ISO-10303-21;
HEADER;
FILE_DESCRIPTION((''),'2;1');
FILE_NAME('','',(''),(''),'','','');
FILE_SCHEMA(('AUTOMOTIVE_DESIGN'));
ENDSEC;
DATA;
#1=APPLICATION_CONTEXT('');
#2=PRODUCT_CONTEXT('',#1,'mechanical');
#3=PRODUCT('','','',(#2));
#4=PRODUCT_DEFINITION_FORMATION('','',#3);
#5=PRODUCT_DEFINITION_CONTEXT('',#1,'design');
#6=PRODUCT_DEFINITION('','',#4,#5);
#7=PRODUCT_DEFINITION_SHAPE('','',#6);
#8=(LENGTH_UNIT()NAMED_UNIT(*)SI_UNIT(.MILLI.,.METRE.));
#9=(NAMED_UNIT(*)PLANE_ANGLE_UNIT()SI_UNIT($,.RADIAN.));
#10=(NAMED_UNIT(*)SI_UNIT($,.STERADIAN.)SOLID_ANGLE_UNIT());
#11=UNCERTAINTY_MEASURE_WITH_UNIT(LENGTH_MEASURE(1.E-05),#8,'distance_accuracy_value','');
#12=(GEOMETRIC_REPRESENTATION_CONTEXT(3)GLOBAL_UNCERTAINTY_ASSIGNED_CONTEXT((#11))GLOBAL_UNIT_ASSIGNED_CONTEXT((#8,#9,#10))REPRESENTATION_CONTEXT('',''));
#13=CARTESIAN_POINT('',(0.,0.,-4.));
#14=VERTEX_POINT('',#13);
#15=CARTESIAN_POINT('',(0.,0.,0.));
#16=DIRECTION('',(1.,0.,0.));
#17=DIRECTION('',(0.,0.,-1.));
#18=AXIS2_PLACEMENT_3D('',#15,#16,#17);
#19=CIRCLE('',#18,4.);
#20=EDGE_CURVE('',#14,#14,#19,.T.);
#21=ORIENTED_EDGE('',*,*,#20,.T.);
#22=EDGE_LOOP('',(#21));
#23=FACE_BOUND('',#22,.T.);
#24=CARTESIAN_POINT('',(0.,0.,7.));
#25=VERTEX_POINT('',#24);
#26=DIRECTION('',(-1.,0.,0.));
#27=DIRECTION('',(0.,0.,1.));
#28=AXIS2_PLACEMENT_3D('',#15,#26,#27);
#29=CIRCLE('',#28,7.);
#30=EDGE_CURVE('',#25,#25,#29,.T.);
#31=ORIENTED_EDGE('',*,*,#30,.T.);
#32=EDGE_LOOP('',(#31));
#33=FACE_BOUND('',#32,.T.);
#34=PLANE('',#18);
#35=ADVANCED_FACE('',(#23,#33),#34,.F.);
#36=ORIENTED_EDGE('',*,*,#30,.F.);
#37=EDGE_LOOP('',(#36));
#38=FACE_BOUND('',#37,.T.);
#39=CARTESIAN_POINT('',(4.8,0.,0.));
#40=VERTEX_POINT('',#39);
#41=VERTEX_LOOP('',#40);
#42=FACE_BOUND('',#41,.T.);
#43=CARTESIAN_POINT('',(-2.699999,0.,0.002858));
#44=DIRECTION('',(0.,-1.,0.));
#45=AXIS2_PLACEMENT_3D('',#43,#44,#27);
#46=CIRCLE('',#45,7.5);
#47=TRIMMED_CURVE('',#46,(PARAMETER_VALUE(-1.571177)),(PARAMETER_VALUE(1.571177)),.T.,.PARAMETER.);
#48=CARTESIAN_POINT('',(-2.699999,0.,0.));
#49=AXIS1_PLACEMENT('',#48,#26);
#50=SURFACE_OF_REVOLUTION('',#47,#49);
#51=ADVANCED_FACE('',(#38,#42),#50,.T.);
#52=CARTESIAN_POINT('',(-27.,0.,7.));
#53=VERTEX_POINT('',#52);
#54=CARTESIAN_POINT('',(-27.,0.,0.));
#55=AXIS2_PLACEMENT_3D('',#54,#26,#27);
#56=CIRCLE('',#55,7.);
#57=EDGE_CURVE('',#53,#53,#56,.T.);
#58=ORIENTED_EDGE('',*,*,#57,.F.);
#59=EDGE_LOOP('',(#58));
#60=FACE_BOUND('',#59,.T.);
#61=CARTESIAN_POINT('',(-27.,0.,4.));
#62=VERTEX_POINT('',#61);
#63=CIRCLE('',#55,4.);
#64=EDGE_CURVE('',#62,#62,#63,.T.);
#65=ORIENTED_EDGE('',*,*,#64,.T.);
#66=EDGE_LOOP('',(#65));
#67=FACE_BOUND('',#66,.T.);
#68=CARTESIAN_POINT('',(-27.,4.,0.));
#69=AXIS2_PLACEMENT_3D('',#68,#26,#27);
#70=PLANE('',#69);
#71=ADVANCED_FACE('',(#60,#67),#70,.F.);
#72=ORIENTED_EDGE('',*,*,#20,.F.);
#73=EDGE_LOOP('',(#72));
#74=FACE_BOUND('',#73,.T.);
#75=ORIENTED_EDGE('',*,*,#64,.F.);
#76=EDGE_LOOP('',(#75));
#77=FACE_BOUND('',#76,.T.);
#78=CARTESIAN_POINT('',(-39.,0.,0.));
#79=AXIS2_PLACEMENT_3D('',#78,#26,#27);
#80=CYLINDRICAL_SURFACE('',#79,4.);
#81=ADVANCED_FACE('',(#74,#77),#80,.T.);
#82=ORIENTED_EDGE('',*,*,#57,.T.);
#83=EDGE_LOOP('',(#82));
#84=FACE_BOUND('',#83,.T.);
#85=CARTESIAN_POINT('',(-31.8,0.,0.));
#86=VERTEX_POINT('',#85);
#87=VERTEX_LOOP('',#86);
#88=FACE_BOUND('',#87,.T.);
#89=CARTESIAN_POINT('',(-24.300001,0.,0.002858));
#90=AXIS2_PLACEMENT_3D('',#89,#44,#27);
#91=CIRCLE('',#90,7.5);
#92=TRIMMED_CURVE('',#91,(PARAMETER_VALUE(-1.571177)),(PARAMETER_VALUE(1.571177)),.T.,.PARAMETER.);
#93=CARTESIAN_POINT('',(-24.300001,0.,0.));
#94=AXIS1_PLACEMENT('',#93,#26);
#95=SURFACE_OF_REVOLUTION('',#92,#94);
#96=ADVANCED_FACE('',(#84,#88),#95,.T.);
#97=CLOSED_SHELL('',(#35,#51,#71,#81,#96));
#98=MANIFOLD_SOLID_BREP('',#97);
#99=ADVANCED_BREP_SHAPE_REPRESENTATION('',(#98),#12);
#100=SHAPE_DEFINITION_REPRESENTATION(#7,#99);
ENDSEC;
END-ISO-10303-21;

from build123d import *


with BuildPart() as part:
    # Sketch1 → Base-Revolve (revolve)
    with BuildSketch(Plane.XY, mode=Mode.PRIVATE) as base_revolve_sk:
        with BuildLine():
            Line((-31.8, 0), (0, 0))
            Line((0, 0), (0, 4))
            Line((0, 4), (-27, 4))
            Line((-27, 4), (-27, 7))
            ThreePointArc((-27, 7), (-30.485466933, 4.244320183), (-31.8, 0))
        make_face()
    revolve(base_revolve_sk.sketch.rotate(Axis((-39, 0, 0), (1, 0, 0)), 90), axis=Axis((-39, 0, 0), (1, 0, 0)))

    # Sketch3 → HeadTypeA (revolve)
    with BuildSketch(Plane.XY):
        with BuildLine():
            Line((0, 0), (4.8, 0))
            ThreePointArc((4.8, 0), (3.485466933, 4.244320183), (0, 7))
            Line((0, 7), (0, 0))
        make_face()
    revolve(axis=Axis((-49, 0, 0), (1, 0, 0)))


solid = part.part
